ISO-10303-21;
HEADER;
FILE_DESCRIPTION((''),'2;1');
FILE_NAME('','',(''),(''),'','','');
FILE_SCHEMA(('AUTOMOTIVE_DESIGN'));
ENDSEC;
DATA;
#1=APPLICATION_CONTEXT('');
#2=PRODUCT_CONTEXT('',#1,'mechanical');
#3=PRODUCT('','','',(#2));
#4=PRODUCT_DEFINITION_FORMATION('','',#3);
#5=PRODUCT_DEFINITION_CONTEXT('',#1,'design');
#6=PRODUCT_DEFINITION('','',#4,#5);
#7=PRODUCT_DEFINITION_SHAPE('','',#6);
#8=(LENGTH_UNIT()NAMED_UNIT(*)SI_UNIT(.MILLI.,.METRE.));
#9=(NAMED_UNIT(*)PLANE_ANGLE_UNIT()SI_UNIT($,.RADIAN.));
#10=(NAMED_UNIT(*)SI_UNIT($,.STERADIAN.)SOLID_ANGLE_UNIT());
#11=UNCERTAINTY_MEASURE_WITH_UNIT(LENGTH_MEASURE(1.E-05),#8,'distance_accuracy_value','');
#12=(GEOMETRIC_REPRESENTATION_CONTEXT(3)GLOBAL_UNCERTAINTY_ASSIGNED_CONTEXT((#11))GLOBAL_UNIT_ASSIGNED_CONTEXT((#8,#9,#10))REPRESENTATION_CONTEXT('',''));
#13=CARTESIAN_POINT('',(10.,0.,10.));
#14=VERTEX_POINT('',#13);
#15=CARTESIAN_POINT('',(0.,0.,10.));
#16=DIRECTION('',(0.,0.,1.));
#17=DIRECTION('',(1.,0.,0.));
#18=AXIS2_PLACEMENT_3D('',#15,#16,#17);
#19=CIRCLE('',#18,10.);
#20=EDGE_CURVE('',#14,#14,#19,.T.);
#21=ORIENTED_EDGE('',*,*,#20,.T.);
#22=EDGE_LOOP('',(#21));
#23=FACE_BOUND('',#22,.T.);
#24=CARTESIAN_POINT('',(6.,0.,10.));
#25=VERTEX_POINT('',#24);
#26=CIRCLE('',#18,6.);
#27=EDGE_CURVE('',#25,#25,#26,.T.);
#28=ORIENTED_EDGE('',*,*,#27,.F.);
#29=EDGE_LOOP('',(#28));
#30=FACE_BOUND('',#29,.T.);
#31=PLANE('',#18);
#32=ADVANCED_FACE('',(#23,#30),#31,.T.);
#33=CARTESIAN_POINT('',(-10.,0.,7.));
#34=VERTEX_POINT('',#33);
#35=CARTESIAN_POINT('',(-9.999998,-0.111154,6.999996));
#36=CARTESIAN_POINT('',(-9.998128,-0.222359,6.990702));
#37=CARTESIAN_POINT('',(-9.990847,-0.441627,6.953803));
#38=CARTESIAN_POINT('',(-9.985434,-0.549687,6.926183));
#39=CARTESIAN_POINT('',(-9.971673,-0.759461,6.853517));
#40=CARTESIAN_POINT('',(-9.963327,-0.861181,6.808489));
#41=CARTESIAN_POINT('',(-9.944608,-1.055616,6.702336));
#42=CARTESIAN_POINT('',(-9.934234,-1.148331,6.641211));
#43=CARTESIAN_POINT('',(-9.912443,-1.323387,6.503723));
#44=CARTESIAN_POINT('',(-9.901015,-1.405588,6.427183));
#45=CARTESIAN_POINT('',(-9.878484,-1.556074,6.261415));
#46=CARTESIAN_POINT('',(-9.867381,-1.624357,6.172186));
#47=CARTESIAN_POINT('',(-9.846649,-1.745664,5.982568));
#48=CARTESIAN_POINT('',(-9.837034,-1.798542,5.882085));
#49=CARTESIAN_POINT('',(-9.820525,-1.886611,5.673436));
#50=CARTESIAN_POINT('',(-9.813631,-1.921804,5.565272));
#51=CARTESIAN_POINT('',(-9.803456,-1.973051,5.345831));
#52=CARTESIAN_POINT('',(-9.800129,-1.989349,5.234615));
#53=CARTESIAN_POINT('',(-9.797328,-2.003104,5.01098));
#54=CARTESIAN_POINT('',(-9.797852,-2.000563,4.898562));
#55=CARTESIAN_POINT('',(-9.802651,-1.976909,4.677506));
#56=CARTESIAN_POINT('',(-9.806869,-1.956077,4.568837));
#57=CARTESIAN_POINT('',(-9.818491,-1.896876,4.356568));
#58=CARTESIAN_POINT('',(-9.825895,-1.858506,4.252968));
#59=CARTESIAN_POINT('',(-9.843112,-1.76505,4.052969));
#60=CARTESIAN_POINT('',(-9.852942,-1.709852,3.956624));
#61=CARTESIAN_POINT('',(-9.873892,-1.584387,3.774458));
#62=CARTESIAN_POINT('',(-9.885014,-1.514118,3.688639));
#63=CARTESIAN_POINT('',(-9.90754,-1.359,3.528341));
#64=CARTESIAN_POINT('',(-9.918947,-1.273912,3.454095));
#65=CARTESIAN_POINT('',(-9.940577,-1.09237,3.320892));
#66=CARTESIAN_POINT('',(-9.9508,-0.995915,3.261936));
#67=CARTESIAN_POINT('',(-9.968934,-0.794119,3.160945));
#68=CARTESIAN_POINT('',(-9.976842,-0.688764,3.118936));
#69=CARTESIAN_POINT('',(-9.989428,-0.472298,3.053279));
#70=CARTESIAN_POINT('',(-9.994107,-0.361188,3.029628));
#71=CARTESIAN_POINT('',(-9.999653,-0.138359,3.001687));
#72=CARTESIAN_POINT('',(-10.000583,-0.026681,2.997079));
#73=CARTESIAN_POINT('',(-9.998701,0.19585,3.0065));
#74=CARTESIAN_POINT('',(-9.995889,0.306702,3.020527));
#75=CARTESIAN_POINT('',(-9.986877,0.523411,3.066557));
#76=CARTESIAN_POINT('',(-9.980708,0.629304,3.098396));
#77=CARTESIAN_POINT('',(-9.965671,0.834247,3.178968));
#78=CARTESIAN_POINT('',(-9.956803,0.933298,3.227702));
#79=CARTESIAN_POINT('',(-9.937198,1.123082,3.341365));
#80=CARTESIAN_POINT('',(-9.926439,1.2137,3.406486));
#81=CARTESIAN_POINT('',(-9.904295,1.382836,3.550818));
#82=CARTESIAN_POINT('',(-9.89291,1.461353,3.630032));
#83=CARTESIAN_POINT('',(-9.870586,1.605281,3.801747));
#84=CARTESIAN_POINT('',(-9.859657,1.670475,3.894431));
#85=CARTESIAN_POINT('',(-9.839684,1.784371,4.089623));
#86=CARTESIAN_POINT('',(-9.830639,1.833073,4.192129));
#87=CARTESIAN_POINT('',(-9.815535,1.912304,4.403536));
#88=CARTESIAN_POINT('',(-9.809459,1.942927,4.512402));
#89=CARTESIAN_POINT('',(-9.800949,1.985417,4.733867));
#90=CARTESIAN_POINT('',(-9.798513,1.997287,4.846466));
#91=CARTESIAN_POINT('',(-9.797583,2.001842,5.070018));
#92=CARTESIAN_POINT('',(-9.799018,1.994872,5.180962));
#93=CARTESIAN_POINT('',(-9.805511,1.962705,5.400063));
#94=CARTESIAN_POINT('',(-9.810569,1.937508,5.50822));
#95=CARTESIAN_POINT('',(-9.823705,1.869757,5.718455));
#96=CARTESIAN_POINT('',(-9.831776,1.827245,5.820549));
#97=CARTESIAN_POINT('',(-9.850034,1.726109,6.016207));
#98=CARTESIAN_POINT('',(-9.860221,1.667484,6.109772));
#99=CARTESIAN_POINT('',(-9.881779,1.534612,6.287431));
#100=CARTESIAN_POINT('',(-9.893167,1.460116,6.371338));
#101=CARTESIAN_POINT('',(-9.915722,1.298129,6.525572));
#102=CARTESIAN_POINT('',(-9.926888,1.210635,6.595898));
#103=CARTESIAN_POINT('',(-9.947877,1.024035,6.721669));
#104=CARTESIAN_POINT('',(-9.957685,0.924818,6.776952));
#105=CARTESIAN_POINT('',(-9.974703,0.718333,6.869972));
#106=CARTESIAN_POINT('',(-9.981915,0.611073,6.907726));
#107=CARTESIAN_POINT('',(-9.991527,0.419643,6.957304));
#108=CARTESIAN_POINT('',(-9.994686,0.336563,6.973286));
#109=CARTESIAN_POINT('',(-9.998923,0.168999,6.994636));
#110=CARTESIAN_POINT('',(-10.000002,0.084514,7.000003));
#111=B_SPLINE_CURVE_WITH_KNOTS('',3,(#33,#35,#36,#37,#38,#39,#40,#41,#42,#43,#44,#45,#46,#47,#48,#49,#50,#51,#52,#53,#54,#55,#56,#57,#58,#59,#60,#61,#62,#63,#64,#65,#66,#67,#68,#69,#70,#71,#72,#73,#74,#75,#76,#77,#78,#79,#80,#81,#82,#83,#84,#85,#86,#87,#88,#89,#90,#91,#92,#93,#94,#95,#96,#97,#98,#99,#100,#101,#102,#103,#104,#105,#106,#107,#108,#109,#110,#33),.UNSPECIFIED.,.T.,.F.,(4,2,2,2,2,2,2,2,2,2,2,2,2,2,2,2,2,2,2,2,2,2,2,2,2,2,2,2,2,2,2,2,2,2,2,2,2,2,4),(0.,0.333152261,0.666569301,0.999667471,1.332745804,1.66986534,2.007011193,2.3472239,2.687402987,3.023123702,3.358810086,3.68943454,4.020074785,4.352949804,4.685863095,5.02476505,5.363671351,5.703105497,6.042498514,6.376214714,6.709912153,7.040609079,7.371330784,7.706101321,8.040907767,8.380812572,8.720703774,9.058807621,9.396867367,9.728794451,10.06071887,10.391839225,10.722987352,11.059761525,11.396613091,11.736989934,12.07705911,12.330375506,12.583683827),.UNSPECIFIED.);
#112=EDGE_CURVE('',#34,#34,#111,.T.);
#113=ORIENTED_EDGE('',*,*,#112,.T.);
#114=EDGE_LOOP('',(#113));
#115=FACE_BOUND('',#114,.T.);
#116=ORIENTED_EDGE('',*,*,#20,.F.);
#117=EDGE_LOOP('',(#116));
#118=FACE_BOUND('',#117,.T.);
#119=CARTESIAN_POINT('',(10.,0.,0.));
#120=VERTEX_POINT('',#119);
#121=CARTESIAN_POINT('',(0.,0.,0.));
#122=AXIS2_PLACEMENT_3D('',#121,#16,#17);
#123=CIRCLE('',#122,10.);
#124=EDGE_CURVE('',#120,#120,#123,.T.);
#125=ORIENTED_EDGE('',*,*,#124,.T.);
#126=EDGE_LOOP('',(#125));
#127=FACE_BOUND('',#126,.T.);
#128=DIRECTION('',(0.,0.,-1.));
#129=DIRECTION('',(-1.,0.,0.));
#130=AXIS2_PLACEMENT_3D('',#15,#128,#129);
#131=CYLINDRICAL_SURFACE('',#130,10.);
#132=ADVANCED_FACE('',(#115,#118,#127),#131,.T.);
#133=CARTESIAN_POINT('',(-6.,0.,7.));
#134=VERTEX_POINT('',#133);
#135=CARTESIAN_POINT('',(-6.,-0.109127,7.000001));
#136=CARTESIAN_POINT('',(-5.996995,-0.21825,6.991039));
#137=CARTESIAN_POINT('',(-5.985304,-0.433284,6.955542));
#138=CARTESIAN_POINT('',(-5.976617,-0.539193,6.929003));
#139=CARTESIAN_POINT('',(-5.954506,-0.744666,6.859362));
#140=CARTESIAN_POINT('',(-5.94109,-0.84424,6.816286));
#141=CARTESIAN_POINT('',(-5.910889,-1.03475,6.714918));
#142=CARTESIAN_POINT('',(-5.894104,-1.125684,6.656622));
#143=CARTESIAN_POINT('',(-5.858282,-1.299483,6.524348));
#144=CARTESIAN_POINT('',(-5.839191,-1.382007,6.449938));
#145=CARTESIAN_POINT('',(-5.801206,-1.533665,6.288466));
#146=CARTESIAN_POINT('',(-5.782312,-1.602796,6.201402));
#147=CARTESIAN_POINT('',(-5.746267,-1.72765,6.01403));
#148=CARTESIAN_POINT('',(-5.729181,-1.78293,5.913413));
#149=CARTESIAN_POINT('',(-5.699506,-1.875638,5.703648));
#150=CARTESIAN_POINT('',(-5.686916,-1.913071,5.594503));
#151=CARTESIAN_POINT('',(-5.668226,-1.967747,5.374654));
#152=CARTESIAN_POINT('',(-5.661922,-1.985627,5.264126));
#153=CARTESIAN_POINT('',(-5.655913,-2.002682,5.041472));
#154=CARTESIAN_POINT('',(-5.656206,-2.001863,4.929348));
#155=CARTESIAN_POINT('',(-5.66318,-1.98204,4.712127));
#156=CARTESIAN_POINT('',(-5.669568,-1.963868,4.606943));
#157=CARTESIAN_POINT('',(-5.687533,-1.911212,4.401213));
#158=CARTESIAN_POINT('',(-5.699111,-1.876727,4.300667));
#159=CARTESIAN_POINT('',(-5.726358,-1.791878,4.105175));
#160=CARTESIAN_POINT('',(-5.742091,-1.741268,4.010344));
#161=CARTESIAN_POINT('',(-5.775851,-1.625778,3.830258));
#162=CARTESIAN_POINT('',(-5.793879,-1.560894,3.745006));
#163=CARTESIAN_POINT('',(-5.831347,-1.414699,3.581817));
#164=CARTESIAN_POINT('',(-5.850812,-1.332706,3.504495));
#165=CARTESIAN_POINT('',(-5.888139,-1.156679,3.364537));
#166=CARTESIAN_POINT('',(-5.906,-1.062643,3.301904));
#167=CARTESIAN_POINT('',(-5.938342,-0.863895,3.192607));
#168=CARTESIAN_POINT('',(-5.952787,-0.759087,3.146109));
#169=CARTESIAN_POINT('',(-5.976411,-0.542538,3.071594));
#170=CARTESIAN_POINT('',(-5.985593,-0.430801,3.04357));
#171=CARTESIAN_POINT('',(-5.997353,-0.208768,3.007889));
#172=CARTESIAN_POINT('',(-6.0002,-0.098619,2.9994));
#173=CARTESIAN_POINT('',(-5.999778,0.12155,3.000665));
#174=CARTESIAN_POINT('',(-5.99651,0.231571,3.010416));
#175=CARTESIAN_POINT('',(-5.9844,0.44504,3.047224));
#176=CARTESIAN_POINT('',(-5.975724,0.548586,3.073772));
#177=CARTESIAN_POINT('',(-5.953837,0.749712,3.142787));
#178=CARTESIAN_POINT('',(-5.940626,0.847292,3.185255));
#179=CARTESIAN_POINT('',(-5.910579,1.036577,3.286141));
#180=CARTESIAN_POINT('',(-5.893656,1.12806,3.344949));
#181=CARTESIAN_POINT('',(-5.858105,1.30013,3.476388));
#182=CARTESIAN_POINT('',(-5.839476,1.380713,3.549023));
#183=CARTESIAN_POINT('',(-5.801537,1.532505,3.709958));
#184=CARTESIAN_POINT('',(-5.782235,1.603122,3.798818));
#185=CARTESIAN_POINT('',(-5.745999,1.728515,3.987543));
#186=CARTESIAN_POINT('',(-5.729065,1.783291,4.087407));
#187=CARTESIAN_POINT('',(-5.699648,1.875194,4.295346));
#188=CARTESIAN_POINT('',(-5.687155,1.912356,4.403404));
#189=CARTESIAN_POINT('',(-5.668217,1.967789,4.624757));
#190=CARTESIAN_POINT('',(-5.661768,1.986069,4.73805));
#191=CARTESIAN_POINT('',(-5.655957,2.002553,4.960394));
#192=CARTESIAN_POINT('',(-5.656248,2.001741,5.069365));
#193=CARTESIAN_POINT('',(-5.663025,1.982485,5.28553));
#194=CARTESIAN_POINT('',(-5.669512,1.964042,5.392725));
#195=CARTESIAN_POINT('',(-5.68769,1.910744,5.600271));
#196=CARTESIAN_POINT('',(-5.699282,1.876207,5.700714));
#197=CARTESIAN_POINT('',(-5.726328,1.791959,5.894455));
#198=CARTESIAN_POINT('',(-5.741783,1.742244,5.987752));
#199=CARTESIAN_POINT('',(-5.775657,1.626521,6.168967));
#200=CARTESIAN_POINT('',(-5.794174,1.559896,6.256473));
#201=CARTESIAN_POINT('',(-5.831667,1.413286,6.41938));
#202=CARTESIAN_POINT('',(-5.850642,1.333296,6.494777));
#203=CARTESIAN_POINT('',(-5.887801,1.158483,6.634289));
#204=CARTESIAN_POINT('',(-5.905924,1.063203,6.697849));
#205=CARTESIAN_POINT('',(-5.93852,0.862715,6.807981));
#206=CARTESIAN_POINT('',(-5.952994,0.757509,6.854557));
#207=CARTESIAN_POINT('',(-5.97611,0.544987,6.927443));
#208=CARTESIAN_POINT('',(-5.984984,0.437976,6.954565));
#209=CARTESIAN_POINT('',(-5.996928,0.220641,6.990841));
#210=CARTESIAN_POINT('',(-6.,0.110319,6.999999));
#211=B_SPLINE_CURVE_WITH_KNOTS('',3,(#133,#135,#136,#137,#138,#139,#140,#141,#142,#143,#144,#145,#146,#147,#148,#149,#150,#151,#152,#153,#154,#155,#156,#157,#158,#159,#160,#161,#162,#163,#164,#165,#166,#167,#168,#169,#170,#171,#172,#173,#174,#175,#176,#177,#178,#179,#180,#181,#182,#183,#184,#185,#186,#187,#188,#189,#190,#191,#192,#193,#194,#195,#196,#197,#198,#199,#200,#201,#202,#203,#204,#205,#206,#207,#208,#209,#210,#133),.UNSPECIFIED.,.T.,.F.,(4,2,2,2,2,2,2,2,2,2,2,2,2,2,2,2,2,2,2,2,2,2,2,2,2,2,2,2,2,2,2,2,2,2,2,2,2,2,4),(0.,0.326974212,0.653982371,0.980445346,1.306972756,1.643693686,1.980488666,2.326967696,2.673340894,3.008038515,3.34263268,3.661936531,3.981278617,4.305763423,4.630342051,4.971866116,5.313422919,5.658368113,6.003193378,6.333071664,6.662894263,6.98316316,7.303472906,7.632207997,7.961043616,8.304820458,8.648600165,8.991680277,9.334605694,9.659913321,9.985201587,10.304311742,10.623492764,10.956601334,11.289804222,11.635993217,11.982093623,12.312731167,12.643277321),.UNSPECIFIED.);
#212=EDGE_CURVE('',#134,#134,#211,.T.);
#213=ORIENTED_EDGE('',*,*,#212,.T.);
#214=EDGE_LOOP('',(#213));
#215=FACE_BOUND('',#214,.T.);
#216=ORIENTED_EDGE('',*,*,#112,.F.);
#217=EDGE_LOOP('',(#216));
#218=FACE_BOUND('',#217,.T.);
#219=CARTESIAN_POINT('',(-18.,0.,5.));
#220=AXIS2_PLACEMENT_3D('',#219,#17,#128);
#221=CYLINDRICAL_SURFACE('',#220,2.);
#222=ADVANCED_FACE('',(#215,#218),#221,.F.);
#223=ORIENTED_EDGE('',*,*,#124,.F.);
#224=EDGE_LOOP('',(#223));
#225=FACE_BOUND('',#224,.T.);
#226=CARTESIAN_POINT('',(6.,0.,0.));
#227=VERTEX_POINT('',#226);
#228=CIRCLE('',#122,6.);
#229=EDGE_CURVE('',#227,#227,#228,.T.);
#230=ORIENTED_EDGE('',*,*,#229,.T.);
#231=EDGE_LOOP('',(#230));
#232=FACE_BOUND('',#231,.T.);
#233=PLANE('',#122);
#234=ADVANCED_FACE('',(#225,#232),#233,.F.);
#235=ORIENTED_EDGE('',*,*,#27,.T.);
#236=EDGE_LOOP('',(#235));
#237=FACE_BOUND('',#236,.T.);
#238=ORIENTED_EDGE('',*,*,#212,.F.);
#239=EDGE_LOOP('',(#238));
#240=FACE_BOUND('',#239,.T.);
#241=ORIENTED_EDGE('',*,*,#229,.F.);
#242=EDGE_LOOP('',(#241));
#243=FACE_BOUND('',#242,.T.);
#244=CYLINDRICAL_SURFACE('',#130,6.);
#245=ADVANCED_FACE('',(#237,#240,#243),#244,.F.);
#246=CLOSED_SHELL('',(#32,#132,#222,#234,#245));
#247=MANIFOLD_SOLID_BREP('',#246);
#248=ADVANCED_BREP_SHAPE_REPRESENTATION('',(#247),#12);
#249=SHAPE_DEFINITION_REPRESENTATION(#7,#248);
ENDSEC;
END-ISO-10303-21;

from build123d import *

# Parameters (mm, degrees)
SKIZZE1_R                       = 10
SKIZZE1_R_2                     = 6
AUFSATZ_LINEAR_AUSTRAGEN1_DEPTH = 10
SKIZZE2_R                       = 2
SCHNITT_LINEAR_AUSTRAGEN1_DEPTH = 18


with BuildPart() as part:
    # Skizze1 → Aufsatz-Linear austragen1 (new body)
    with BuildSketch(Plane.XY):
        Circle(SKIZZE1_R)
        Circle(SKIZZE1_R_2, mode=Mode.SUBTRACT)
    extrude(amount=AUFSATZ_LINEAR_AUSTRAGEN1_DEPTH)

    # Skizze2 → Schnitt-Linear austragen1 (cut)
    with BuildSketch(Plane(origin=(0, 0, 0), x_dir=(0, 0, -1), z_dir=(1, 0, 0))):
        with Locations(Location((-5, 0, 0), (0, 0, 180))):
            Circle(SKIZZE2_R)
    extrude(amount=-SCHNITT_LINEAR_AUSTRAGEN1_DEPTH, mode=Mode.SUBTRACT)


solid = part.part
